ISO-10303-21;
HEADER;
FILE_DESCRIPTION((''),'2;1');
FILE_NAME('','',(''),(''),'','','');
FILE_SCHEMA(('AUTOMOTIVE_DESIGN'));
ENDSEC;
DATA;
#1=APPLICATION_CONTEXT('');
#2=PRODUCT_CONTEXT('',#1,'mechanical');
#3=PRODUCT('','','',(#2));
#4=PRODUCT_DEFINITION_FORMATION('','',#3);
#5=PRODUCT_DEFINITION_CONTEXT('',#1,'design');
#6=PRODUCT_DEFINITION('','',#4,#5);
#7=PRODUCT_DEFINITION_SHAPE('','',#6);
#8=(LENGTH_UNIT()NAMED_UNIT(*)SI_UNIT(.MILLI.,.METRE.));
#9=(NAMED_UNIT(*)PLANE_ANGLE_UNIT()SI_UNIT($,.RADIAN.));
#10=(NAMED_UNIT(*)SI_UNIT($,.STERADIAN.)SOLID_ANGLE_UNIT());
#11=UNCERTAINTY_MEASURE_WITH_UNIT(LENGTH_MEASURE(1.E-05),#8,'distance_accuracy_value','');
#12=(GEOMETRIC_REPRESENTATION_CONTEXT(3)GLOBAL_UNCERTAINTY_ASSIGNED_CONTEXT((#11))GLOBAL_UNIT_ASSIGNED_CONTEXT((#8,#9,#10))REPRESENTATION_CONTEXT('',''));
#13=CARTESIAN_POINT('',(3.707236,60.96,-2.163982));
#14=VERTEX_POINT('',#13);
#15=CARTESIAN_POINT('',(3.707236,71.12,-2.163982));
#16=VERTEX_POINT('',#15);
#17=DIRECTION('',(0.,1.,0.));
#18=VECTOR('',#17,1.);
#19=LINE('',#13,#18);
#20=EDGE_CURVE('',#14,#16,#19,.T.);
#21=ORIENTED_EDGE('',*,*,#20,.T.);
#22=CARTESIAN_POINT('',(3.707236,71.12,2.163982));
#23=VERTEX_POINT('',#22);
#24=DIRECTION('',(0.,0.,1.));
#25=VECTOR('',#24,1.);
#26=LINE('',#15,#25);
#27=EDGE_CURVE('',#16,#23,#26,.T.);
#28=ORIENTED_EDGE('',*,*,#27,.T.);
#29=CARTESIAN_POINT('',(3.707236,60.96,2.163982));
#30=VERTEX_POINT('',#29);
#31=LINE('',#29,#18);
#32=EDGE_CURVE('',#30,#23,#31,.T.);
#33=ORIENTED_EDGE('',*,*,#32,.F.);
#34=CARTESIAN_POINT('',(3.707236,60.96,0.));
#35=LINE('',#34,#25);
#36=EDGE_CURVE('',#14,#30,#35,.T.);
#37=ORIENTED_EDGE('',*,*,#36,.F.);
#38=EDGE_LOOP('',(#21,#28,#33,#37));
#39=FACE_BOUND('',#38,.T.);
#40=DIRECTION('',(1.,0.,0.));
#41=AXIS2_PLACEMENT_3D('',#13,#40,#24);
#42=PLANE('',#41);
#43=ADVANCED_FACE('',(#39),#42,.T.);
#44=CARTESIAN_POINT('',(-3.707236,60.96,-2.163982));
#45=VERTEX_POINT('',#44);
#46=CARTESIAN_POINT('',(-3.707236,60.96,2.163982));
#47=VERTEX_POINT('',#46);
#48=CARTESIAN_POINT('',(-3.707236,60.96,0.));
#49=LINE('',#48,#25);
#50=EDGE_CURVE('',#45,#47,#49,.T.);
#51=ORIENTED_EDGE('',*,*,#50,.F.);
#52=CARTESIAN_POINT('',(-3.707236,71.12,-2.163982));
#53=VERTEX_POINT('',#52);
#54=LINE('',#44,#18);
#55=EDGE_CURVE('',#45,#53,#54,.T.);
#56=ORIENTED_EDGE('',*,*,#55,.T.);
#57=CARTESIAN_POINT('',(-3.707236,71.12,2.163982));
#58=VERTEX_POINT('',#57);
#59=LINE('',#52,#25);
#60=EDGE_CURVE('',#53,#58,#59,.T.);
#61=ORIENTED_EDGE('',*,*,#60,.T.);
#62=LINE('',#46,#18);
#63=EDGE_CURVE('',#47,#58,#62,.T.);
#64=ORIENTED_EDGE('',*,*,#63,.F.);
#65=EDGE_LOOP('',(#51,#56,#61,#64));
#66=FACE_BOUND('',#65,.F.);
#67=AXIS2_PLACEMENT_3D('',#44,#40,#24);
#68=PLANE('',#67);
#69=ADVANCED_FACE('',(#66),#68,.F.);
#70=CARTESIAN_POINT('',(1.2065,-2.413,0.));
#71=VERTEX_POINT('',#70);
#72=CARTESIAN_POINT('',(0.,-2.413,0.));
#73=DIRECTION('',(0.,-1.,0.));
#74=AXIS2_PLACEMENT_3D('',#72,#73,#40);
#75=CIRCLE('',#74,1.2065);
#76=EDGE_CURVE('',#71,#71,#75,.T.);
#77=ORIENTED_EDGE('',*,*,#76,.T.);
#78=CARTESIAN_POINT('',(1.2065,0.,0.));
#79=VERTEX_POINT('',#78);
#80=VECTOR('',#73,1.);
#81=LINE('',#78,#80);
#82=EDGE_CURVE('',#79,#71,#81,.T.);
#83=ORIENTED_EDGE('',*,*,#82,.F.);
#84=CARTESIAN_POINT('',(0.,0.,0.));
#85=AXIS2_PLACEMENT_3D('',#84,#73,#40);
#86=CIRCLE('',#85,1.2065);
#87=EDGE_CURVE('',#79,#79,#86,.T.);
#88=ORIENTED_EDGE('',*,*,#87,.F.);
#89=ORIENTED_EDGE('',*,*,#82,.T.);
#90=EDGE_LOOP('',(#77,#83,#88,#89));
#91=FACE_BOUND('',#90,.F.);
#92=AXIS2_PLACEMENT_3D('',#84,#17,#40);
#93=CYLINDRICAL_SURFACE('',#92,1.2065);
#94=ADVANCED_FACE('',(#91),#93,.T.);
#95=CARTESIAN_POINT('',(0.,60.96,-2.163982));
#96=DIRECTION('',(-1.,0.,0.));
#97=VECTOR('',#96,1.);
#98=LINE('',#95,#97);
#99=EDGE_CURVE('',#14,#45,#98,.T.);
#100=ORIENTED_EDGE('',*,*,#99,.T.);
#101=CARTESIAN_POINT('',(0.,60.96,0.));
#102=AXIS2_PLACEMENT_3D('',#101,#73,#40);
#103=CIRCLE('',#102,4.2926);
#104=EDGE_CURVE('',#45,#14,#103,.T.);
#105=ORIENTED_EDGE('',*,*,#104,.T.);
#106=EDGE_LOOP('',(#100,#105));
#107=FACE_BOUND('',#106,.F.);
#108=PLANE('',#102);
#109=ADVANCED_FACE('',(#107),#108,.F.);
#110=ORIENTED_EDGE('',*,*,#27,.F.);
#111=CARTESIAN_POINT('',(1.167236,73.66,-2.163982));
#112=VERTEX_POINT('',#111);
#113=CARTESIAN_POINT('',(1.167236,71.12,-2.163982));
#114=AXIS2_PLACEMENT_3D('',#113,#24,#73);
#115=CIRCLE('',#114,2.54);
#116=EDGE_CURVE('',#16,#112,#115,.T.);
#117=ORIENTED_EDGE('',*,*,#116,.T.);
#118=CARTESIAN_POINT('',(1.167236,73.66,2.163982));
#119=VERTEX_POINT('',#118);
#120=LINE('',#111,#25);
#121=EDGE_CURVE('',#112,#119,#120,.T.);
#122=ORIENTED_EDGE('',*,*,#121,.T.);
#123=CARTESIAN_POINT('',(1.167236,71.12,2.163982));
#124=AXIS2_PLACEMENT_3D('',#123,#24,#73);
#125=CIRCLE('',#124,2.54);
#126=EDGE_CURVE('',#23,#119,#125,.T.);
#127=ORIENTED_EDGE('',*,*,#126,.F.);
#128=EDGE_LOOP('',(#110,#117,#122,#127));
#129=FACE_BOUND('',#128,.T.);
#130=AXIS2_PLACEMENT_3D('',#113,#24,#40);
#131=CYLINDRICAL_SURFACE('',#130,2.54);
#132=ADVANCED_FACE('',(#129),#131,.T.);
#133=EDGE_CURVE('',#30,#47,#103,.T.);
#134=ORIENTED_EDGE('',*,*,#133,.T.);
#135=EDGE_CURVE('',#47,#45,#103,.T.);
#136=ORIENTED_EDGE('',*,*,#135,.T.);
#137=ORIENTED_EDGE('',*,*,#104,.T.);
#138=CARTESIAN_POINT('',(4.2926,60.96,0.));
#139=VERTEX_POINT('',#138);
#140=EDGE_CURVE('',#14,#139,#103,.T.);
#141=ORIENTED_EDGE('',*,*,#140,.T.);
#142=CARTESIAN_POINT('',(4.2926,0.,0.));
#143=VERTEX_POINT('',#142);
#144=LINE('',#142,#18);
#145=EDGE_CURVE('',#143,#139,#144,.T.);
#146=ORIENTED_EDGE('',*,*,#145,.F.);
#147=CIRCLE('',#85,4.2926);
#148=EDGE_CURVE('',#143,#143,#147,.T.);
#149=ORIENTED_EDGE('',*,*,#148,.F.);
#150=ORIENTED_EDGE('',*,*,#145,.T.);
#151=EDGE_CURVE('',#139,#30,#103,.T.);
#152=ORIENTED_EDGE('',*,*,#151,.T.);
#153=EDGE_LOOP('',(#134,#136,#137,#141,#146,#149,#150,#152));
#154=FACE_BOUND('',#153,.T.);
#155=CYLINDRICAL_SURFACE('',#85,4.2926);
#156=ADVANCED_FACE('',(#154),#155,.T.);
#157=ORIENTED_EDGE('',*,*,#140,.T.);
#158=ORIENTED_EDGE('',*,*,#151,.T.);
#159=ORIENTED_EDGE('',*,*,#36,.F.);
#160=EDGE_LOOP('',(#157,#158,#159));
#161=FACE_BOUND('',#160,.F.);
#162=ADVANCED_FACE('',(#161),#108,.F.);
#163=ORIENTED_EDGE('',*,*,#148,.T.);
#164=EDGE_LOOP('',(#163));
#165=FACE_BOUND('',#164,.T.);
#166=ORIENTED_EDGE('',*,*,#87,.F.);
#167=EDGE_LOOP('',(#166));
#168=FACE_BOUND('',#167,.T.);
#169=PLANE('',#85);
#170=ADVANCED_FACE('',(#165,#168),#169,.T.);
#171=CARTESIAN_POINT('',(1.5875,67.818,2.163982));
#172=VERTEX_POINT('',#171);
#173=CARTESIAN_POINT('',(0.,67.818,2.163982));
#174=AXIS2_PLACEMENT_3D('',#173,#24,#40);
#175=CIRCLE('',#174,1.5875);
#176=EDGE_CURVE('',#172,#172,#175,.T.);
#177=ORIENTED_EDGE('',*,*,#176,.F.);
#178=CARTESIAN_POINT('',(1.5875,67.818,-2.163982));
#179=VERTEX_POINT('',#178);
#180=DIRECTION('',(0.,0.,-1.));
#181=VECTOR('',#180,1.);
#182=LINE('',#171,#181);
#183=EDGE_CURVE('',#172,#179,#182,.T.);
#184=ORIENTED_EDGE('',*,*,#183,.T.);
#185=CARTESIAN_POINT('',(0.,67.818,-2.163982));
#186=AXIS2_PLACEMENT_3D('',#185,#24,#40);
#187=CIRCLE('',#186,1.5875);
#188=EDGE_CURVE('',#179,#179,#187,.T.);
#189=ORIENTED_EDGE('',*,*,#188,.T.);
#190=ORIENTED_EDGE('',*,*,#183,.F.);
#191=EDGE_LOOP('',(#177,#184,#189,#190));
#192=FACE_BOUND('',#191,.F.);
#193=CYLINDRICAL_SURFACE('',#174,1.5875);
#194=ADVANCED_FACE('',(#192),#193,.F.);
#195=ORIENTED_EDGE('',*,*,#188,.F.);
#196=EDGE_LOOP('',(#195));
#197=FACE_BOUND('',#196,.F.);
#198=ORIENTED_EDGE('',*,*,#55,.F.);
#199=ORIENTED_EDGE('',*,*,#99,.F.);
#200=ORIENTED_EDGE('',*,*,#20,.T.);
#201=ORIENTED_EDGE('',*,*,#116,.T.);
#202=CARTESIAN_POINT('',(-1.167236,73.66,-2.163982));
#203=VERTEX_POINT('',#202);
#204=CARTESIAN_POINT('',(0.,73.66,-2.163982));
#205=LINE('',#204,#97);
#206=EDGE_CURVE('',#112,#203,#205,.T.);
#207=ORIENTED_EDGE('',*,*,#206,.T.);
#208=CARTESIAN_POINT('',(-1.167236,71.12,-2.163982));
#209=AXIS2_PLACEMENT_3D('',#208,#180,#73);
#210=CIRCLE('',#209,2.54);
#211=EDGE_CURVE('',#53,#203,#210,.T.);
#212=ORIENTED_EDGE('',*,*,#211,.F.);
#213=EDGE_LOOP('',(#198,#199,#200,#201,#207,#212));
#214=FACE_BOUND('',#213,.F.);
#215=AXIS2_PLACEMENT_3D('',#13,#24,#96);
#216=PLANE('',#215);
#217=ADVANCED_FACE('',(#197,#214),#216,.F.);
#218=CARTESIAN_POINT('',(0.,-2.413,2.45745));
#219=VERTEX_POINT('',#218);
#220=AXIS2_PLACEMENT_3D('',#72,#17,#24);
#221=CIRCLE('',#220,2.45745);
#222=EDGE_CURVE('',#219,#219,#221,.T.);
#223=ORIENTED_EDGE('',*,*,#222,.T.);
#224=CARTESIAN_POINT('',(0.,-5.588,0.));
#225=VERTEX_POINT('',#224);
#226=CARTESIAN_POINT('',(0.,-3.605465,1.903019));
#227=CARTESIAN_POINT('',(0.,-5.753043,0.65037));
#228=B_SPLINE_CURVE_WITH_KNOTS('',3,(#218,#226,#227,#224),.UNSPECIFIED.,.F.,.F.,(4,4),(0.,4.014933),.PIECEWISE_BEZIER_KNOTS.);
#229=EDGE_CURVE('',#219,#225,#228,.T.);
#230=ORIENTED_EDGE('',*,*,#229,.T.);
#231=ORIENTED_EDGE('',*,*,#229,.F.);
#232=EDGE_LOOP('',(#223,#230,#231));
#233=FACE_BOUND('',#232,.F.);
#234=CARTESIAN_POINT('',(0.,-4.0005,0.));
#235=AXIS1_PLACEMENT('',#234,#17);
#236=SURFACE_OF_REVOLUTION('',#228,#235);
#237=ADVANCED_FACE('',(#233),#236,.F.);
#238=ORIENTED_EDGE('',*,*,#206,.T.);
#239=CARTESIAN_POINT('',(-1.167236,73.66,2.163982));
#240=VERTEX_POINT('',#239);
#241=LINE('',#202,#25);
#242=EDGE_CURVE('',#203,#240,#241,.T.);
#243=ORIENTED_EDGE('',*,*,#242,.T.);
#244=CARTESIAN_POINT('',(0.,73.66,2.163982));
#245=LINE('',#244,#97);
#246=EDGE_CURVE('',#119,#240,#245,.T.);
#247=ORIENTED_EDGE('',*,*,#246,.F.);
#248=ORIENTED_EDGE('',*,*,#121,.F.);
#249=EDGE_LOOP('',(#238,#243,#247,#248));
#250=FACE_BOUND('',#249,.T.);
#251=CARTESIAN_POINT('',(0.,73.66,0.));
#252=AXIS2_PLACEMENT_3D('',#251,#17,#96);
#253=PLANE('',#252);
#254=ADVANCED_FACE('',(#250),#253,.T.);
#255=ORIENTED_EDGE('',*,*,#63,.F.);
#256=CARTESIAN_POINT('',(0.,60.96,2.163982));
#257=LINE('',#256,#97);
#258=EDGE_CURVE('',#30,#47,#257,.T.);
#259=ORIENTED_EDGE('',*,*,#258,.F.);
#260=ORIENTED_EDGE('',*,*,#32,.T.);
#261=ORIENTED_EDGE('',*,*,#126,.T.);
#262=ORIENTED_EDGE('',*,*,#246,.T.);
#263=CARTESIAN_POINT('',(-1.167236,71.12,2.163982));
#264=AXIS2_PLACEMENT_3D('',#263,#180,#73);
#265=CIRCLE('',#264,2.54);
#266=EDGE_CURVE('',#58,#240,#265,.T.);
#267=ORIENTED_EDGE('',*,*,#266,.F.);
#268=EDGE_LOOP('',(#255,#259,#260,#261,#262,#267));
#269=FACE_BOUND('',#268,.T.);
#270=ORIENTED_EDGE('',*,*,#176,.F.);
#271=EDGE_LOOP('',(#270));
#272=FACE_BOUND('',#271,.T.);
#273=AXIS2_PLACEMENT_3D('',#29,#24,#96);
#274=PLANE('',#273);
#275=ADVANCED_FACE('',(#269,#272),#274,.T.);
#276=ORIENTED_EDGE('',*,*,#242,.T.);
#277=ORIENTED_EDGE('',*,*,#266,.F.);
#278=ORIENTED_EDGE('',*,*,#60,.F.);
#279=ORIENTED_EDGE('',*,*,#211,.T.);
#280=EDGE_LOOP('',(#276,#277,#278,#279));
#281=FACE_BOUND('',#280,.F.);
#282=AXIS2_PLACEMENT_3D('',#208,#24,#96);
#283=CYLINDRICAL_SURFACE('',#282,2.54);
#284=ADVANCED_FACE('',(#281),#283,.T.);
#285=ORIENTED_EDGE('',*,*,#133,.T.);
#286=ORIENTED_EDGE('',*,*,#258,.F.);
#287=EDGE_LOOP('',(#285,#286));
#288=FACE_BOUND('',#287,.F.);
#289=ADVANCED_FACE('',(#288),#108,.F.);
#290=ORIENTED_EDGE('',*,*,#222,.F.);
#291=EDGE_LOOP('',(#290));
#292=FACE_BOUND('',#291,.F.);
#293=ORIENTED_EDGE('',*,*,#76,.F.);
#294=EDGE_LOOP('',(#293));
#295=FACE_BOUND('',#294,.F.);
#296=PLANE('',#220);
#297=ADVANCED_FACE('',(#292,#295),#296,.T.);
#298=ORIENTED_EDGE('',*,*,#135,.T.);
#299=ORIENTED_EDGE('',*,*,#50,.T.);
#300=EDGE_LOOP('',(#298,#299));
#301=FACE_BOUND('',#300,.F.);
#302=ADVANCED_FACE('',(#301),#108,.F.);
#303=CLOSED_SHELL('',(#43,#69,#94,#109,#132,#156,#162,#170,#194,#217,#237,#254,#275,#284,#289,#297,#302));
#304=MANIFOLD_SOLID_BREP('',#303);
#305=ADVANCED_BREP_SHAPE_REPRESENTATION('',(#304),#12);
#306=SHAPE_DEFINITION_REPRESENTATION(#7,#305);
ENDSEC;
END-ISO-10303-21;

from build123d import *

# Parameters (mm, degrees)
F0_R      = 4.2926
F1_DEPTH  = 60.96
F2_R      = 1.2065
F3_DEPTH  = 2.413
F6_W      = 7.414472
F6_H      = 4.327964
F7_DEPTH  = 12.7
F8_R      = 2.54
F9_R      = 1.5875
F10_DEPTH = 6.457582


with BuildPart() as f1:
    # F0 (on Front) → F1 (new body)
    with BuildSketch(Plane.XZ):
        Circle(F0_R)
    extrude(amount=-F1_DEPTH)

    # F2 (on Front) → F3 (join)
    with BuildSketch(Plane.XZ):
        Circle(F2_R)
    extrude(amount=F3_DEPTH)

    # F4 (on Right) → F5 (revolve)
    with BuildSketch(Plane.YZ):
        with BuildLine():
            Line((-5.588, 0), (-2.413, 0))
            Line((-2.413, 0), (-2.413, 2.45745))
            add(Edge.make_bspline(
                [(-2.413, 2.45745), (-3.605465, 1.903019), (-5.753043, 0.65037), (-5.588, 0)],
                knots=[0, 0, 0, 0, 4.014933, 4.014933, 4.014933, 4.014933], degree=3))
        make_face()
    revolve(axis=Axis((0, -4.0005, 0), (0, 1, 0)))

    # F6 (on face) → F7 (join)
    with BuildSketch(Plane(origin=(0, 60.96, 0), x_dir=(-1, 0, 0), z_dir=(0, 1, 0))):
        Rectangle(F6_W, F6_H)
    extrude(amount=F7_DEPTH)

    # F8
    f8_edges = [f1.edges().sort_by_distance(p)[0] for p in [
        (-3.707236, 73.66, 0),
        (3.707236, 73.66, 0),
    ]]
    fillet(f8_edges, radius=F8_R)

    # F9 (on face) → F10 (cut, through all)
    with BuildSketch(Plane.XY.offset(2.163982)):
        with Locations((0, 67.818)):
            Circle(F9_R)
    extrude(amount=-F10_DEPTH, mode=Mode.SUBTRACT)


solid = f1.part
